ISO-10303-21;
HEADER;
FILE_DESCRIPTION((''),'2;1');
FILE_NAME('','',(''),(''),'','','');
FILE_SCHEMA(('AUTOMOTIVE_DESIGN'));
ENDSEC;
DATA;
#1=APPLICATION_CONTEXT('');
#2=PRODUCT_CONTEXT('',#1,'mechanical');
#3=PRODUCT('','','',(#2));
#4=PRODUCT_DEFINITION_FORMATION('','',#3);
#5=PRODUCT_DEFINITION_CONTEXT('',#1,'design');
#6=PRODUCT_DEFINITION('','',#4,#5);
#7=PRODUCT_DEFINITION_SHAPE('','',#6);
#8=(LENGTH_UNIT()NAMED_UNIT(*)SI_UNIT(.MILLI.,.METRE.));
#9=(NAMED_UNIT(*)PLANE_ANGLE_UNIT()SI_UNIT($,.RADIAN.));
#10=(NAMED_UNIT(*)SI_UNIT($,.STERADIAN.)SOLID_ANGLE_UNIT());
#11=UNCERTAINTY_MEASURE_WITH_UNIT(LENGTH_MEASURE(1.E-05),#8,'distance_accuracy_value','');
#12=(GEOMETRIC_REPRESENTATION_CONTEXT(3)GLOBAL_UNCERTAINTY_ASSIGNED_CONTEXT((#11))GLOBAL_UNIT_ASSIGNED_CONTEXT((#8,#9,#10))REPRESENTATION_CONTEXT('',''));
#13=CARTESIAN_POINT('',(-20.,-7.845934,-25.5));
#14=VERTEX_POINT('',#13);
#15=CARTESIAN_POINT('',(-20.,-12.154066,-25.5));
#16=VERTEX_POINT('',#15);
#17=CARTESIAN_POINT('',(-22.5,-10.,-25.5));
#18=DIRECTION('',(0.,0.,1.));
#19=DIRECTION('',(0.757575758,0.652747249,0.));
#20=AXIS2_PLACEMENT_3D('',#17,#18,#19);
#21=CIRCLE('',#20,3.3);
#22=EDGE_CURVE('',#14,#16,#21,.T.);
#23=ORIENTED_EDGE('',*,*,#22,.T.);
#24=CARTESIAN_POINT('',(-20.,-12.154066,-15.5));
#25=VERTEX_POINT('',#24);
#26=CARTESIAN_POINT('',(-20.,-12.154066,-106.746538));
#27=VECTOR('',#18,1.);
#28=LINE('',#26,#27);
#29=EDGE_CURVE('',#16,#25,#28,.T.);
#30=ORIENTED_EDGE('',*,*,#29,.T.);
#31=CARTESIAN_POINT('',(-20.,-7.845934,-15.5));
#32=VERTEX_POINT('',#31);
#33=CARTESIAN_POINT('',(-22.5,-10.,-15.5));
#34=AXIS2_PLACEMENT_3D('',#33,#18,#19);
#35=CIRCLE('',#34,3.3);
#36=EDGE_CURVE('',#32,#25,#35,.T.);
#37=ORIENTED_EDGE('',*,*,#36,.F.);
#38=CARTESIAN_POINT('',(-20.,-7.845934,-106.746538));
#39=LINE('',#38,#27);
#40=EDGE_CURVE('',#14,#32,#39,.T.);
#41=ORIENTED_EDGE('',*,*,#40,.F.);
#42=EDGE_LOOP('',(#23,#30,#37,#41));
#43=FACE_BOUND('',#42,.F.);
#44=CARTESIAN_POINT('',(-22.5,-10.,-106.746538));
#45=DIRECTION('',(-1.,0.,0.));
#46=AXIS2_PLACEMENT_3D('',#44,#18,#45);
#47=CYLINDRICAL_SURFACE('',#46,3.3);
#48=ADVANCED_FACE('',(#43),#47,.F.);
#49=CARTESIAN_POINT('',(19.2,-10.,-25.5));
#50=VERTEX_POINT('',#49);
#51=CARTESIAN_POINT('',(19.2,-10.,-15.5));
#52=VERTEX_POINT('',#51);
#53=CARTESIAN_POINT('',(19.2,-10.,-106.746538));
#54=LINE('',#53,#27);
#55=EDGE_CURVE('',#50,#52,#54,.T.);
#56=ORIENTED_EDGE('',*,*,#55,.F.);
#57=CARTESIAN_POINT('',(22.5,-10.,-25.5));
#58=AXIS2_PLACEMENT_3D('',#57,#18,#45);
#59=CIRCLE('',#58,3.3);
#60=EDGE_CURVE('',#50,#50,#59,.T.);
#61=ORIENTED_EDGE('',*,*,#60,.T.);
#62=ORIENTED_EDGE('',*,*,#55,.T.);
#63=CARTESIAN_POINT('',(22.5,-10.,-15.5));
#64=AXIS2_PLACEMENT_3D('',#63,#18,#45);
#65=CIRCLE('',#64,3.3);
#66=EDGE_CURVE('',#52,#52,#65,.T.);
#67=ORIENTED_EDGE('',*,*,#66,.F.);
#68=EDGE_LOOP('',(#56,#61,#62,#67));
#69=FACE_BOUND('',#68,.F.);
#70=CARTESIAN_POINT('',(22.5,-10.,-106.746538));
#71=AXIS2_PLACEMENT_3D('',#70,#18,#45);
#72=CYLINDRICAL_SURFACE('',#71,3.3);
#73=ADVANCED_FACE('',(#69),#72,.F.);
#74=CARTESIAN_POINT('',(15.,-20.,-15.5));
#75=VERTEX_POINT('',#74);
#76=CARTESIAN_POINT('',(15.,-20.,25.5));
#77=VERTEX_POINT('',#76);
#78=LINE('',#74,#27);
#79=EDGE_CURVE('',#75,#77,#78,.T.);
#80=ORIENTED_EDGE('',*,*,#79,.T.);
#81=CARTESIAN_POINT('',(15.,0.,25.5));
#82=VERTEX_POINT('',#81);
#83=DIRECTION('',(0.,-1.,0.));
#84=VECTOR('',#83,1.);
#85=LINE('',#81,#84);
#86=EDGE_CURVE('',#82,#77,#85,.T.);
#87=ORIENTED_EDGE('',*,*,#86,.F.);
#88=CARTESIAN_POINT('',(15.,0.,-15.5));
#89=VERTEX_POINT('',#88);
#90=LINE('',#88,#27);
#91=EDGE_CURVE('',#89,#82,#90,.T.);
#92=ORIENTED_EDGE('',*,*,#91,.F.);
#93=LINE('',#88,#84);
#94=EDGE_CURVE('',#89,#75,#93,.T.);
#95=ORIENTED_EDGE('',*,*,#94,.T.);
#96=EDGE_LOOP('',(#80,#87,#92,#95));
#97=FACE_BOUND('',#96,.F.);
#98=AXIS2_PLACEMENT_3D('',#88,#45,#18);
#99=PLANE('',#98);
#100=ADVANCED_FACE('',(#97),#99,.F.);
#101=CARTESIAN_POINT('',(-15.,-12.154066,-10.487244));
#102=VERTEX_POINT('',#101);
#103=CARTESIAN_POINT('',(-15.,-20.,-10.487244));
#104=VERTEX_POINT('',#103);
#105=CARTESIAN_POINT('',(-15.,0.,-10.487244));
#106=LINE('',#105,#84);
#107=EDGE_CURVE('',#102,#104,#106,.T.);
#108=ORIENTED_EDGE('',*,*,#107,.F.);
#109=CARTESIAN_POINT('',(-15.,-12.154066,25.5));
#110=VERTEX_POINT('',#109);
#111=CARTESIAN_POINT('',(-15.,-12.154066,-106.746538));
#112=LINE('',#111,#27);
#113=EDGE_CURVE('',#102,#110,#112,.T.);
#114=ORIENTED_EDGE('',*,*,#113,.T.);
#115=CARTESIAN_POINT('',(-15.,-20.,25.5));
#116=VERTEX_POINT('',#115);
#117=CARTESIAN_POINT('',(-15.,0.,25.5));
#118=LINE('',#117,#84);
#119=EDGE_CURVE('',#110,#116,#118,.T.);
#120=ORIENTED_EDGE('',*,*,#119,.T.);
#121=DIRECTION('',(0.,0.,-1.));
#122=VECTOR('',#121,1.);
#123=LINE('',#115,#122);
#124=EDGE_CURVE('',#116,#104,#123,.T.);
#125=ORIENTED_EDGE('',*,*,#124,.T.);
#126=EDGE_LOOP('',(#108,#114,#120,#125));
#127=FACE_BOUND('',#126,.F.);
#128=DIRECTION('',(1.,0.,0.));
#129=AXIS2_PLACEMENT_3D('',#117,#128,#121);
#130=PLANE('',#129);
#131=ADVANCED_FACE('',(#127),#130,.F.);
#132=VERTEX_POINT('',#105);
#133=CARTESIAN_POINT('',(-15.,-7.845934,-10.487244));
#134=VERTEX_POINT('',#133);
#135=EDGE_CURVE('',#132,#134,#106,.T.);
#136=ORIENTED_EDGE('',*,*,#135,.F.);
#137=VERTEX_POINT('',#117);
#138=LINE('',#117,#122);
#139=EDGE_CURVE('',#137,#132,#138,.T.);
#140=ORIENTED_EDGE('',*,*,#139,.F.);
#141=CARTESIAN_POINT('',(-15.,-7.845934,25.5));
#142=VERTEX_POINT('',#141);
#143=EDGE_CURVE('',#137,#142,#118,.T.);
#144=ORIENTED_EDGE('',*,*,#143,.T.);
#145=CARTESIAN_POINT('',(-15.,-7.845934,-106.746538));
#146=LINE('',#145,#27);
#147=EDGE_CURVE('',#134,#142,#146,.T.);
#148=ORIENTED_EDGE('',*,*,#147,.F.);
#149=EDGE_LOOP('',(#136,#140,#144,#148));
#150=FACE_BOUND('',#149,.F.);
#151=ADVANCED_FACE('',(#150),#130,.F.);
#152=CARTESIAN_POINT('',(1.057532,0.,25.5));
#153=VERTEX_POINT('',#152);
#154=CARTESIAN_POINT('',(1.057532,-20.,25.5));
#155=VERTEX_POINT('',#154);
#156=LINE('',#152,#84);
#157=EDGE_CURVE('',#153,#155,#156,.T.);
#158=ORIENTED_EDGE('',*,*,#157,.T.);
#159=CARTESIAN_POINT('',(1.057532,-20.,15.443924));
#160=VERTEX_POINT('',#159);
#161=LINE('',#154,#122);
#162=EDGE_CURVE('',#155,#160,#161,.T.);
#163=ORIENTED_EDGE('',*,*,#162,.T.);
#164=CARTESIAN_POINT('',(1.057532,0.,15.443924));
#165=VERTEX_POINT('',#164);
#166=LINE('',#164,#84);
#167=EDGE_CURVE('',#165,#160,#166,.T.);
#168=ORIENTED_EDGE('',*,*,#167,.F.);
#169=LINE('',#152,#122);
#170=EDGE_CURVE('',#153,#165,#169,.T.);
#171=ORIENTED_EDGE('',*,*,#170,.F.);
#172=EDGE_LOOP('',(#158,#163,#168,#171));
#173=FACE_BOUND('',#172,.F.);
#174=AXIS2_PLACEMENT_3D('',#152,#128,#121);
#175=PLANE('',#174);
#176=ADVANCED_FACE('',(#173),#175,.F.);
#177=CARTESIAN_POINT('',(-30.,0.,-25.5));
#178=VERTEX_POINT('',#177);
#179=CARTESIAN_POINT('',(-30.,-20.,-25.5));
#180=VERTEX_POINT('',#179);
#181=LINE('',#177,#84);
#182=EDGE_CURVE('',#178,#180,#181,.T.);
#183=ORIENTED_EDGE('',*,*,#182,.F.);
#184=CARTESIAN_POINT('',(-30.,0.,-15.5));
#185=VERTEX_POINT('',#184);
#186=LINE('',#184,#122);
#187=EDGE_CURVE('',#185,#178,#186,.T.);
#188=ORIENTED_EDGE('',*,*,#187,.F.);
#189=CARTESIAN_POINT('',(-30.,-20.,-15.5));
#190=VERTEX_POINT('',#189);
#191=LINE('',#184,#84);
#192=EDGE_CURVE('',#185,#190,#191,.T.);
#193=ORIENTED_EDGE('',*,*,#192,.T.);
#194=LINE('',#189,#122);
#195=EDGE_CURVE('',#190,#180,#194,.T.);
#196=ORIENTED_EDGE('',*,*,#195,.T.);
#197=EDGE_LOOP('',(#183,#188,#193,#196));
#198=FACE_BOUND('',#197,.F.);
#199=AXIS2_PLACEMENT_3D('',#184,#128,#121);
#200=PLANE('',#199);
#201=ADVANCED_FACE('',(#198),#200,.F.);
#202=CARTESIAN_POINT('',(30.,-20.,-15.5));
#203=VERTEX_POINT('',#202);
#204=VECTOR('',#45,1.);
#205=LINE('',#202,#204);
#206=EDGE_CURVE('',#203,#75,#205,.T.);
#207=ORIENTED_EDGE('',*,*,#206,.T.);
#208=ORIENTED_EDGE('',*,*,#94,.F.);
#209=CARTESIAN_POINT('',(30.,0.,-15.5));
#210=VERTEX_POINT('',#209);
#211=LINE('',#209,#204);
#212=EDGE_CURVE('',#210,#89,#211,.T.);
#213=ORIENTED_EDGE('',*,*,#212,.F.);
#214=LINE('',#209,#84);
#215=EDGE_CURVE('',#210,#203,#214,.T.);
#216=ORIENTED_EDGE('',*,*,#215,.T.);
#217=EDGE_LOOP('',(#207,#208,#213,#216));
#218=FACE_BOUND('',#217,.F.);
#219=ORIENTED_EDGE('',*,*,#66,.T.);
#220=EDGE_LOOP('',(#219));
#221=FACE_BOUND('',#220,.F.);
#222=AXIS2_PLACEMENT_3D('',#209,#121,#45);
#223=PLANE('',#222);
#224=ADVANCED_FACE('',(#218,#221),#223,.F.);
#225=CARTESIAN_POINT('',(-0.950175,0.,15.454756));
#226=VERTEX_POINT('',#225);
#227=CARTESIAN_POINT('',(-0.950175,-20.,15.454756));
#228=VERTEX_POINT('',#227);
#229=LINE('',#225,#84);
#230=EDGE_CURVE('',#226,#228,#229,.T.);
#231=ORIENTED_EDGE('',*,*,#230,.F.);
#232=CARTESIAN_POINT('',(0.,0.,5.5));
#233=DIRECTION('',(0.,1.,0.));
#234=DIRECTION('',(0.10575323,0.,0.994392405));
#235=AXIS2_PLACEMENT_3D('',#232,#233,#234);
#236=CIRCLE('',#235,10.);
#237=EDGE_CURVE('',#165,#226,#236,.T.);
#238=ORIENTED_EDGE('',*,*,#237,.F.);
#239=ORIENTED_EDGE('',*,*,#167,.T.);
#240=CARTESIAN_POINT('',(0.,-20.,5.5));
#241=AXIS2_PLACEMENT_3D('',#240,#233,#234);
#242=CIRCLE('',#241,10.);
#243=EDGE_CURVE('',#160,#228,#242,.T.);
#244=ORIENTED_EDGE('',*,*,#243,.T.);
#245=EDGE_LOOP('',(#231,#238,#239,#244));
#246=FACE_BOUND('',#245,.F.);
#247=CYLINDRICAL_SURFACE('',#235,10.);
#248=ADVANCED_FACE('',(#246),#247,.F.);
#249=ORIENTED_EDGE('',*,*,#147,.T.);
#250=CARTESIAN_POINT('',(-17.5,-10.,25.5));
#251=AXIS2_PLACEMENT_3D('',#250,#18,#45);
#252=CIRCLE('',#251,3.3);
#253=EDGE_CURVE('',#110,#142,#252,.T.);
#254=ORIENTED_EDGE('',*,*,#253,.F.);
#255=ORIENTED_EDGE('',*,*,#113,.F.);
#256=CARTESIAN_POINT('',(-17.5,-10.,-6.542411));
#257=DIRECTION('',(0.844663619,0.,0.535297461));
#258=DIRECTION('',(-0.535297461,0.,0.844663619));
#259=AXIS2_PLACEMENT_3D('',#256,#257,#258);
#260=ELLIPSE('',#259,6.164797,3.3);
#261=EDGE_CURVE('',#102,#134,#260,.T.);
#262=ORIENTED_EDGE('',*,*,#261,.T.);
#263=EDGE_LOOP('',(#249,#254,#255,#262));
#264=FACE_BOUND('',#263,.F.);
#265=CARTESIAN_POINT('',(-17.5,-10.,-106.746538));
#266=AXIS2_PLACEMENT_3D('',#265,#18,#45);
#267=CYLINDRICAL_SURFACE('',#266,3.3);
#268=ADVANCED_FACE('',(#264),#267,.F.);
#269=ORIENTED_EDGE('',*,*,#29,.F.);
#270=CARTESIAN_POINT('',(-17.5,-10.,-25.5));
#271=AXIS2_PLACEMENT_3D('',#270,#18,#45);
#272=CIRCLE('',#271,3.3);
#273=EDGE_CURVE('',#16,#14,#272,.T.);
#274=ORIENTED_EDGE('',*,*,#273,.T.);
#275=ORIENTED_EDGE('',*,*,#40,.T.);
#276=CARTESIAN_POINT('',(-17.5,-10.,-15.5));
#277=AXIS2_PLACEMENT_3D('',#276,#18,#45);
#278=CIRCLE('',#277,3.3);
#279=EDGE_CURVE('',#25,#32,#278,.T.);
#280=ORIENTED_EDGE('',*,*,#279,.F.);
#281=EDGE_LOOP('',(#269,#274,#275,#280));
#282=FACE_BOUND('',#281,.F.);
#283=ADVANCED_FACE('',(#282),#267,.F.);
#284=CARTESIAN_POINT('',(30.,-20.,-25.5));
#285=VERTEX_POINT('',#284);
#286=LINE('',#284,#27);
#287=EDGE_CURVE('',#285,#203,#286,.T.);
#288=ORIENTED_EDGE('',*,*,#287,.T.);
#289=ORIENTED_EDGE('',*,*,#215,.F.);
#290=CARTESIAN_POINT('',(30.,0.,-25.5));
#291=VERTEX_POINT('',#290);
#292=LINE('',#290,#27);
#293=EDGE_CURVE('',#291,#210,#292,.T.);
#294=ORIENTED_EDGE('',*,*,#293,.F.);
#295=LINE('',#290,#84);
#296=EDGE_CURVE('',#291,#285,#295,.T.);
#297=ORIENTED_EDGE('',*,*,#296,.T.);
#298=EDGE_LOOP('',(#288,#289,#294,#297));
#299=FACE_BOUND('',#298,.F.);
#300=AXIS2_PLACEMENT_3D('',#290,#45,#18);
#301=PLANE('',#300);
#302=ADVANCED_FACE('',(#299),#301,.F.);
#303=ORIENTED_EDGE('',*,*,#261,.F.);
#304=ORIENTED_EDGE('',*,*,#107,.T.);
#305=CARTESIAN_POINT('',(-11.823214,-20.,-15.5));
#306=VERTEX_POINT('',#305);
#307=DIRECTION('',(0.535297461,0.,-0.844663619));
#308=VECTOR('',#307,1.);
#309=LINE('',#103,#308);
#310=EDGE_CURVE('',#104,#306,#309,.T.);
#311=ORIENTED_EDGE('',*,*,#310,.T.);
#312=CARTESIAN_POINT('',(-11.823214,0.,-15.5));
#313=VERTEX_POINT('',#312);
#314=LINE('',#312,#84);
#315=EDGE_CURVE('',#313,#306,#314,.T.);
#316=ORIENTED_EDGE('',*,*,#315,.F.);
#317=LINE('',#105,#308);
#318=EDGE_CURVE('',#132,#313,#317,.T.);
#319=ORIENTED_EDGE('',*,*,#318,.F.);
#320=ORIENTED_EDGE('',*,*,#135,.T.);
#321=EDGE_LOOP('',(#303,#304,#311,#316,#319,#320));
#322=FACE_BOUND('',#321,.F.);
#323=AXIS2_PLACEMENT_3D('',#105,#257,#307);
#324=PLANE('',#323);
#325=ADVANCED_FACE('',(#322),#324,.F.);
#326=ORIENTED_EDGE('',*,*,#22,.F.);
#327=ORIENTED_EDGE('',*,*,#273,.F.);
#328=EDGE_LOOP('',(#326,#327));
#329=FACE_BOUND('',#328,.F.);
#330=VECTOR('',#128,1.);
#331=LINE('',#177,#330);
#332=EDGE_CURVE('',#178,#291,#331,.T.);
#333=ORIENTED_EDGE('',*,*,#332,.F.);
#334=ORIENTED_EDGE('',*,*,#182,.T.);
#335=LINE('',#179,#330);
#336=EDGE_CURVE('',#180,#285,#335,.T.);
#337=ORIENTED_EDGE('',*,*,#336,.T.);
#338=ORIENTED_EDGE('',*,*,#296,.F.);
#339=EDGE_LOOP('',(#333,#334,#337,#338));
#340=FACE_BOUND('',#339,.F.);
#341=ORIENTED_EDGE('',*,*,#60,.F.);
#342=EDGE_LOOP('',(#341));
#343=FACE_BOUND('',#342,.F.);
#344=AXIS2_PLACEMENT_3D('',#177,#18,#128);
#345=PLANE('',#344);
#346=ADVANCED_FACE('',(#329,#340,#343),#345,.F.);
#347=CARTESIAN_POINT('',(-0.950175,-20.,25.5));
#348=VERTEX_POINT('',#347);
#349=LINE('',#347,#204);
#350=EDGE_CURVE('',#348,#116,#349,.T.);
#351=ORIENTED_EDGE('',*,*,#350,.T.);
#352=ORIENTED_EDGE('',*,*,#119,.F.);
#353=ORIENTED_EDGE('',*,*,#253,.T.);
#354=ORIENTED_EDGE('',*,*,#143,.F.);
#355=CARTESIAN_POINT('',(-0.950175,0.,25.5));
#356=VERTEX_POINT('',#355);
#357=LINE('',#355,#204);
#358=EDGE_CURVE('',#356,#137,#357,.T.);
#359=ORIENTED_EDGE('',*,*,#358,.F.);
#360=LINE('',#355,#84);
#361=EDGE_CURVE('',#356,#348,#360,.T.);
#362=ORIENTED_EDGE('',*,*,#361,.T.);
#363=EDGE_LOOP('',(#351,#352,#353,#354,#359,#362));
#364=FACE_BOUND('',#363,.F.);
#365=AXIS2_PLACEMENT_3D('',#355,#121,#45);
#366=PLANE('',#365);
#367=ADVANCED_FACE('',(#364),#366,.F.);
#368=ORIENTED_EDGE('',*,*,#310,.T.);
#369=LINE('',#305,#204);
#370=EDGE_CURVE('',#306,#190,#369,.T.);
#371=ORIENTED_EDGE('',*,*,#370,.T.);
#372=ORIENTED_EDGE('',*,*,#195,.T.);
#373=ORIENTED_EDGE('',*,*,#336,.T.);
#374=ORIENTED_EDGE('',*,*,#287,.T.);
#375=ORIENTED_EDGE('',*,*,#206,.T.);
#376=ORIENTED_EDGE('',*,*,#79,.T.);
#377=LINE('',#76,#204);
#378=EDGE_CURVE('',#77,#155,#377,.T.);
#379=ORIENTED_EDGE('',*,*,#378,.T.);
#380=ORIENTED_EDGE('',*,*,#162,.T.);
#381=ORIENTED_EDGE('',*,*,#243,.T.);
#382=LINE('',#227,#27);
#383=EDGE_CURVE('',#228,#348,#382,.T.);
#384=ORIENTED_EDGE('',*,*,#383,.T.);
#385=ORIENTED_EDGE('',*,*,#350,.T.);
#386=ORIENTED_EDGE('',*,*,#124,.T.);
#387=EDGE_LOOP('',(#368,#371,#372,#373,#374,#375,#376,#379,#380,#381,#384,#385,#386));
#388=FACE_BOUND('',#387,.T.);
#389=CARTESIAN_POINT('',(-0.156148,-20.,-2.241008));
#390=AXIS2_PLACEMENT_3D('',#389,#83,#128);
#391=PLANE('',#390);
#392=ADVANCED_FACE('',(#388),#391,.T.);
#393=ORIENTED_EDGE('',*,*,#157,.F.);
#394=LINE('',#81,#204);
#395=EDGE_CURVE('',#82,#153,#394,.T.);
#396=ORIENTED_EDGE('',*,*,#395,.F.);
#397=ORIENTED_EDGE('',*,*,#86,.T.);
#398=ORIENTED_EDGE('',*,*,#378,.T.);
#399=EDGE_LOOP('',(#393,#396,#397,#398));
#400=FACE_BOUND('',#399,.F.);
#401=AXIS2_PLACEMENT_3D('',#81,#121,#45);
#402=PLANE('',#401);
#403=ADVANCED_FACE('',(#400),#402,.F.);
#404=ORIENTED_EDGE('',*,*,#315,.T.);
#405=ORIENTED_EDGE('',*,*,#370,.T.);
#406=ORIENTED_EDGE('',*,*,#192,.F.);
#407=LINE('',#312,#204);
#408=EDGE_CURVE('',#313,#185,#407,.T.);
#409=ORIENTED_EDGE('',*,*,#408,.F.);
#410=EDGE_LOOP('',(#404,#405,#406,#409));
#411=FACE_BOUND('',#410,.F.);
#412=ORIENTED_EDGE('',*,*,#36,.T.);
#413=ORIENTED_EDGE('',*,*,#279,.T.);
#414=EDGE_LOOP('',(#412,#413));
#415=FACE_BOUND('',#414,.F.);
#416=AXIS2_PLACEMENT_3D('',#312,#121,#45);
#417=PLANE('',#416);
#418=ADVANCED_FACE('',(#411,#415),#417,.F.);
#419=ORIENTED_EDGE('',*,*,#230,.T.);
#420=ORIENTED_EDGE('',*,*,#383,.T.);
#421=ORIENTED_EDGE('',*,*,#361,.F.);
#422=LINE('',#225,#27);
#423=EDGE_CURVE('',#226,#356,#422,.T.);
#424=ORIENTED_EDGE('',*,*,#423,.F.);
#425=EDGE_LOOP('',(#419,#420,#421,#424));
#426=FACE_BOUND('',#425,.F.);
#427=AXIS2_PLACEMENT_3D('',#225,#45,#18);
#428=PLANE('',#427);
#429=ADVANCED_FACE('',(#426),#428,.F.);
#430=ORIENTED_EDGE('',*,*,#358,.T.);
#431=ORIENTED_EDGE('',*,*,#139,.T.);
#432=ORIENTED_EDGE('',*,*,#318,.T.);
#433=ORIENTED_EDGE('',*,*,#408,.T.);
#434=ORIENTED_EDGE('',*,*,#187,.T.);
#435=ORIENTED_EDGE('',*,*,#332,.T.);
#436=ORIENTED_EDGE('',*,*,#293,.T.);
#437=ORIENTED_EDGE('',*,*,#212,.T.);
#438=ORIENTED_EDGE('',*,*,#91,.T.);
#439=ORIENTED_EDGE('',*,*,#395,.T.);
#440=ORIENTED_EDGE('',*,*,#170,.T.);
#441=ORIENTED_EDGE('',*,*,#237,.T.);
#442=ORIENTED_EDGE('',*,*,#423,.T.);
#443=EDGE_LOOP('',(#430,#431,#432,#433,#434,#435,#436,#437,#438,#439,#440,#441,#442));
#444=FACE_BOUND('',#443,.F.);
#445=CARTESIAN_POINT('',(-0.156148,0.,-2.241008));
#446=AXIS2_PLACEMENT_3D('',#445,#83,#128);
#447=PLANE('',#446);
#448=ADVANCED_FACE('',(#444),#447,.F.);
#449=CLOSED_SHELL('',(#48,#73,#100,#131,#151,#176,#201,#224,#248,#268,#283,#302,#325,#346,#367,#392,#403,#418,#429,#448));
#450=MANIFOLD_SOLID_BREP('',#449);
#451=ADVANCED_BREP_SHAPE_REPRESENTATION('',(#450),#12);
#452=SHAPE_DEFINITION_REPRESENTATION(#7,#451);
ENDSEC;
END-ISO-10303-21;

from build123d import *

# Parameters (mm, degrees)
F1_DEPTH = 20
F3_D     = 6.6
F4_D     = 6.6
F5_D     = 6.6


with BuildPart() as f1:
    # F0 (on Front) → F1 (new body)
    with BuildSketch(Plane.XZ):
        with BuildLine():
            Line((-30, -25.5), (30, -25.5))
            Line((30, -25.5), (30, -15.5))
            Line((30, -15.5), (15, -15.5))
            Line((15, -15.5), (15, 25.5))
            Line((15, 25.5), (1.057532, 25.5))
            Line((1.057532, 25.5), (1.057532, 15.443924))
            ThreePointArc((1.057532, 15.443924), (-0.053951, -4.499854), (-0.950175, 15.454756))
            Line((-0.950175, 15.454756), (-0.950175, 25.5))
            Line((-0.950175, 25.5), (-15, 25.5))
            Line((-15, 25.5), (-15, -10.487244))
            Line((-15, -10.487244), (-11.823214, -15.5))
            Line((-11.823214, -15.5), (-15, -15.5))
            Line((-15, -15.5), (-30, -15.5))
            Line((-30, -15.5), (-30, -25.5))
        make_face()
    extrude(amount=F1_DEPTH)

    # F3 (through all)
    with Locations(Plane(origin=(0, 0, -25.5), x_dir=(1, 0, 0), z_dir=(0, 0, -1))):
        with Locations((-22.5, 10)):
            Hole(F3_D / 2)

    # F4 (through all)
    with Locations(Plane(origin=(0, 0, -25.5), x_dir=(1, 0, 0), z_dir=(0, 0, -1))):
        with Locations((22.5, 10)):
            Hole(F4_D / 2)

    # F5 (through all)
    with Locations(Plane(origin=(0, 0, -25.5), x_dir=(1, 0, 0), z_dir=(0, 0, -1))):
        with Locations((-17.5, 10)):
            Hole(F5_D / 2)


solid = f1.part
